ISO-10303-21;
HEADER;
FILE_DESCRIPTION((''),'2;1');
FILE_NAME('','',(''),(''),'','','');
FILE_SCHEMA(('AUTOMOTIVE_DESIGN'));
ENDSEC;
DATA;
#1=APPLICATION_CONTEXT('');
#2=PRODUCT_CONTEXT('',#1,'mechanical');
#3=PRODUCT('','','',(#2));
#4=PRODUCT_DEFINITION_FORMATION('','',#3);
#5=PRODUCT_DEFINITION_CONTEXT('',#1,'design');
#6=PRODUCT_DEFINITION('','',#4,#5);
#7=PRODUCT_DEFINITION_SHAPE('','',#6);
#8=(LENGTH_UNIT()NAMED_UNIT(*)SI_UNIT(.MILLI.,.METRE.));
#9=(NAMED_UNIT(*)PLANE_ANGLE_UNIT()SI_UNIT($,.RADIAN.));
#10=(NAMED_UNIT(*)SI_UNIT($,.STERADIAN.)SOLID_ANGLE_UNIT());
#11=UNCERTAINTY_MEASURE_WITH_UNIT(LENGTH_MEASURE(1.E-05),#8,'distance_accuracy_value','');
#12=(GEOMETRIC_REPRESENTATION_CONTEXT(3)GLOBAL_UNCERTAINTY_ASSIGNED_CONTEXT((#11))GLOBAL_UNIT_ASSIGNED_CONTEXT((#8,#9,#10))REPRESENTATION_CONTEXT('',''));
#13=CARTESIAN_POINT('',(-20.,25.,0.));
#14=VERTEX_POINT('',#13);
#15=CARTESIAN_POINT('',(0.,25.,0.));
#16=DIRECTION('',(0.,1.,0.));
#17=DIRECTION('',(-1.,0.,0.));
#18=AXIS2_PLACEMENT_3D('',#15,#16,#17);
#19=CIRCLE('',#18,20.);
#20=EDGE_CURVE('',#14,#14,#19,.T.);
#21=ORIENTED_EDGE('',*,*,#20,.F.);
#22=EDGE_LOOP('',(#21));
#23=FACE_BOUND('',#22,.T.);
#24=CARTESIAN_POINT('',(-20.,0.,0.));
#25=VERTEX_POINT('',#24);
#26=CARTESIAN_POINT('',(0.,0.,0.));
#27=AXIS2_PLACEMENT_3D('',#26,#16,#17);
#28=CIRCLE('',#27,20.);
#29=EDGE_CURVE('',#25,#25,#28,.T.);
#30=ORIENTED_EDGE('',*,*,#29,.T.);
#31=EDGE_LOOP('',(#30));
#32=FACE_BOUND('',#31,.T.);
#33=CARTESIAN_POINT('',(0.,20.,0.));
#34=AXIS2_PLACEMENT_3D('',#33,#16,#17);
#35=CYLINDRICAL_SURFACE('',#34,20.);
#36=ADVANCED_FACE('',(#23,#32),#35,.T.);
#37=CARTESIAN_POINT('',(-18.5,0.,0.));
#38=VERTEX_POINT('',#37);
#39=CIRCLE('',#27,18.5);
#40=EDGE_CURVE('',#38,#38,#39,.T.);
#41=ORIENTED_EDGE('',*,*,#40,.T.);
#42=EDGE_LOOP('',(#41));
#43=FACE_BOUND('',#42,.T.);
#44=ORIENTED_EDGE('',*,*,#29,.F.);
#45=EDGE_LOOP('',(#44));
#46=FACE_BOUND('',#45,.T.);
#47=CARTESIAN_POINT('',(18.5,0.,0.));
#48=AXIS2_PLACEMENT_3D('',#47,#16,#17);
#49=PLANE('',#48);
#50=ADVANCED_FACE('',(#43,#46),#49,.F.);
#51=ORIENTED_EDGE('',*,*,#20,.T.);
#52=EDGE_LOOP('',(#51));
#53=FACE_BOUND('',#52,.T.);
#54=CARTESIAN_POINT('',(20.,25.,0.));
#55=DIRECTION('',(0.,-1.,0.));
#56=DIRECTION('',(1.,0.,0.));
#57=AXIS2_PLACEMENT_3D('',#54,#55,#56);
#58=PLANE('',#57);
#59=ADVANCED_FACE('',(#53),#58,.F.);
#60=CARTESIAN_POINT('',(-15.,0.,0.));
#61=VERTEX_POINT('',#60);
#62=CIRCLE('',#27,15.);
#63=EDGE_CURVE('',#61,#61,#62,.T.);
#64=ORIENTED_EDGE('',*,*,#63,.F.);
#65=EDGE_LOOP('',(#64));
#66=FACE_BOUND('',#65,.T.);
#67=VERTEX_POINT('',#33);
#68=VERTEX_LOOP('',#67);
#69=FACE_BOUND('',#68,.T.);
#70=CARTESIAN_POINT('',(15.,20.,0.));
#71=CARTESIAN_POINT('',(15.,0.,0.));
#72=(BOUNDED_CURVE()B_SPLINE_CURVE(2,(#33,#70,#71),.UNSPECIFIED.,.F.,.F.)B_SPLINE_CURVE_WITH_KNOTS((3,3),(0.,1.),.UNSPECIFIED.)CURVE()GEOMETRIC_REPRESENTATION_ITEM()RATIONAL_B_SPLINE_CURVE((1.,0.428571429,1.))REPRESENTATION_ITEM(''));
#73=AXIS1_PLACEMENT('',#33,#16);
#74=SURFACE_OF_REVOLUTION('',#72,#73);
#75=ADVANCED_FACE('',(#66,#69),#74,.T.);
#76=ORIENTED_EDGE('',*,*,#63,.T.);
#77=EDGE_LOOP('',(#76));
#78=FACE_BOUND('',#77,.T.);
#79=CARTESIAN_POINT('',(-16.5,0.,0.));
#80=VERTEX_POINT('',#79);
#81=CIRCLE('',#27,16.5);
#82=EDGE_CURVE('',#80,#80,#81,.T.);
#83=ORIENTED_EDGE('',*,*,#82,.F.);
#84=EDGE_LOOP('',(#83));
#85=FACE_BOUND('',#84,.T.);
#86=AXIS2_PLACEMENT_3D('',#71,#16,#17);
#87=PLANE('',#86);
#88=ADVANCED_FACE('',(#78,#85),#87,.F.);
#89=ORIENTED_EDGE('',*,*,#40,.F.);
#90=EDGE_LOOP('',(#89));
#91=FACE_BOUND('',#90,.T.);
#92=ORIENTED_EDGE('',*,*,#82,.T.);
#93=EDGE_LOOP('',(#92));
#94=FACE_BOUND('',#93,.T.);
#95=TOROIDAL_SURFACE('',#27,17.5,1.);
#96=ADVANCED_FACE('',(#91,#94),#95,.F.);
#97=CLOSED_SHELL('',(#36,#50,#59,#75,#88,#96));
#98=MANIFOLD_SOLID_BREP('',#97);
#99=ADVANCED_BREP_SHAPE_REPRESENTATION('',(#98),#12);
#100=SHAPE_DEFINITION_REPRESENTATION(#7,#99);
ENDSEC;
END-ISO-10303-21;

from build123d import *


with BuildPart() as part:
    # Sketch1 → Revolve1 (revolve)
    with BuildSketch(Plane.XY, mode=Mode.PRIVATE) as revolve1_sk:
        with BuildLine():
            Line((20, 25), (20, 0))
            Line((20, 0), (18.5, 0))
            ThreePointArc((18.5, 0), (17.5, 1), (16.5, 0))
            Line((16.5, 0), (15, 0))
            add(Edge.make_bspline(
                [(0, 20), (15, 20), (15, 0)],
                knots=[0, 0, 0, 1, 1, 1], degree=2, weights=[1, 0.428571429, 1]))
            Line((0, 20), (0, 25))
            Line((0, 25), (20, 25))
        make_face()
    revolve(revolve1_sk.sketch.rotate(Axis((0, 20, 0), (0, -1, 0)), 180), axis=Axis((0, 20, 0), (0, -1, 0)))


solid = part.part
